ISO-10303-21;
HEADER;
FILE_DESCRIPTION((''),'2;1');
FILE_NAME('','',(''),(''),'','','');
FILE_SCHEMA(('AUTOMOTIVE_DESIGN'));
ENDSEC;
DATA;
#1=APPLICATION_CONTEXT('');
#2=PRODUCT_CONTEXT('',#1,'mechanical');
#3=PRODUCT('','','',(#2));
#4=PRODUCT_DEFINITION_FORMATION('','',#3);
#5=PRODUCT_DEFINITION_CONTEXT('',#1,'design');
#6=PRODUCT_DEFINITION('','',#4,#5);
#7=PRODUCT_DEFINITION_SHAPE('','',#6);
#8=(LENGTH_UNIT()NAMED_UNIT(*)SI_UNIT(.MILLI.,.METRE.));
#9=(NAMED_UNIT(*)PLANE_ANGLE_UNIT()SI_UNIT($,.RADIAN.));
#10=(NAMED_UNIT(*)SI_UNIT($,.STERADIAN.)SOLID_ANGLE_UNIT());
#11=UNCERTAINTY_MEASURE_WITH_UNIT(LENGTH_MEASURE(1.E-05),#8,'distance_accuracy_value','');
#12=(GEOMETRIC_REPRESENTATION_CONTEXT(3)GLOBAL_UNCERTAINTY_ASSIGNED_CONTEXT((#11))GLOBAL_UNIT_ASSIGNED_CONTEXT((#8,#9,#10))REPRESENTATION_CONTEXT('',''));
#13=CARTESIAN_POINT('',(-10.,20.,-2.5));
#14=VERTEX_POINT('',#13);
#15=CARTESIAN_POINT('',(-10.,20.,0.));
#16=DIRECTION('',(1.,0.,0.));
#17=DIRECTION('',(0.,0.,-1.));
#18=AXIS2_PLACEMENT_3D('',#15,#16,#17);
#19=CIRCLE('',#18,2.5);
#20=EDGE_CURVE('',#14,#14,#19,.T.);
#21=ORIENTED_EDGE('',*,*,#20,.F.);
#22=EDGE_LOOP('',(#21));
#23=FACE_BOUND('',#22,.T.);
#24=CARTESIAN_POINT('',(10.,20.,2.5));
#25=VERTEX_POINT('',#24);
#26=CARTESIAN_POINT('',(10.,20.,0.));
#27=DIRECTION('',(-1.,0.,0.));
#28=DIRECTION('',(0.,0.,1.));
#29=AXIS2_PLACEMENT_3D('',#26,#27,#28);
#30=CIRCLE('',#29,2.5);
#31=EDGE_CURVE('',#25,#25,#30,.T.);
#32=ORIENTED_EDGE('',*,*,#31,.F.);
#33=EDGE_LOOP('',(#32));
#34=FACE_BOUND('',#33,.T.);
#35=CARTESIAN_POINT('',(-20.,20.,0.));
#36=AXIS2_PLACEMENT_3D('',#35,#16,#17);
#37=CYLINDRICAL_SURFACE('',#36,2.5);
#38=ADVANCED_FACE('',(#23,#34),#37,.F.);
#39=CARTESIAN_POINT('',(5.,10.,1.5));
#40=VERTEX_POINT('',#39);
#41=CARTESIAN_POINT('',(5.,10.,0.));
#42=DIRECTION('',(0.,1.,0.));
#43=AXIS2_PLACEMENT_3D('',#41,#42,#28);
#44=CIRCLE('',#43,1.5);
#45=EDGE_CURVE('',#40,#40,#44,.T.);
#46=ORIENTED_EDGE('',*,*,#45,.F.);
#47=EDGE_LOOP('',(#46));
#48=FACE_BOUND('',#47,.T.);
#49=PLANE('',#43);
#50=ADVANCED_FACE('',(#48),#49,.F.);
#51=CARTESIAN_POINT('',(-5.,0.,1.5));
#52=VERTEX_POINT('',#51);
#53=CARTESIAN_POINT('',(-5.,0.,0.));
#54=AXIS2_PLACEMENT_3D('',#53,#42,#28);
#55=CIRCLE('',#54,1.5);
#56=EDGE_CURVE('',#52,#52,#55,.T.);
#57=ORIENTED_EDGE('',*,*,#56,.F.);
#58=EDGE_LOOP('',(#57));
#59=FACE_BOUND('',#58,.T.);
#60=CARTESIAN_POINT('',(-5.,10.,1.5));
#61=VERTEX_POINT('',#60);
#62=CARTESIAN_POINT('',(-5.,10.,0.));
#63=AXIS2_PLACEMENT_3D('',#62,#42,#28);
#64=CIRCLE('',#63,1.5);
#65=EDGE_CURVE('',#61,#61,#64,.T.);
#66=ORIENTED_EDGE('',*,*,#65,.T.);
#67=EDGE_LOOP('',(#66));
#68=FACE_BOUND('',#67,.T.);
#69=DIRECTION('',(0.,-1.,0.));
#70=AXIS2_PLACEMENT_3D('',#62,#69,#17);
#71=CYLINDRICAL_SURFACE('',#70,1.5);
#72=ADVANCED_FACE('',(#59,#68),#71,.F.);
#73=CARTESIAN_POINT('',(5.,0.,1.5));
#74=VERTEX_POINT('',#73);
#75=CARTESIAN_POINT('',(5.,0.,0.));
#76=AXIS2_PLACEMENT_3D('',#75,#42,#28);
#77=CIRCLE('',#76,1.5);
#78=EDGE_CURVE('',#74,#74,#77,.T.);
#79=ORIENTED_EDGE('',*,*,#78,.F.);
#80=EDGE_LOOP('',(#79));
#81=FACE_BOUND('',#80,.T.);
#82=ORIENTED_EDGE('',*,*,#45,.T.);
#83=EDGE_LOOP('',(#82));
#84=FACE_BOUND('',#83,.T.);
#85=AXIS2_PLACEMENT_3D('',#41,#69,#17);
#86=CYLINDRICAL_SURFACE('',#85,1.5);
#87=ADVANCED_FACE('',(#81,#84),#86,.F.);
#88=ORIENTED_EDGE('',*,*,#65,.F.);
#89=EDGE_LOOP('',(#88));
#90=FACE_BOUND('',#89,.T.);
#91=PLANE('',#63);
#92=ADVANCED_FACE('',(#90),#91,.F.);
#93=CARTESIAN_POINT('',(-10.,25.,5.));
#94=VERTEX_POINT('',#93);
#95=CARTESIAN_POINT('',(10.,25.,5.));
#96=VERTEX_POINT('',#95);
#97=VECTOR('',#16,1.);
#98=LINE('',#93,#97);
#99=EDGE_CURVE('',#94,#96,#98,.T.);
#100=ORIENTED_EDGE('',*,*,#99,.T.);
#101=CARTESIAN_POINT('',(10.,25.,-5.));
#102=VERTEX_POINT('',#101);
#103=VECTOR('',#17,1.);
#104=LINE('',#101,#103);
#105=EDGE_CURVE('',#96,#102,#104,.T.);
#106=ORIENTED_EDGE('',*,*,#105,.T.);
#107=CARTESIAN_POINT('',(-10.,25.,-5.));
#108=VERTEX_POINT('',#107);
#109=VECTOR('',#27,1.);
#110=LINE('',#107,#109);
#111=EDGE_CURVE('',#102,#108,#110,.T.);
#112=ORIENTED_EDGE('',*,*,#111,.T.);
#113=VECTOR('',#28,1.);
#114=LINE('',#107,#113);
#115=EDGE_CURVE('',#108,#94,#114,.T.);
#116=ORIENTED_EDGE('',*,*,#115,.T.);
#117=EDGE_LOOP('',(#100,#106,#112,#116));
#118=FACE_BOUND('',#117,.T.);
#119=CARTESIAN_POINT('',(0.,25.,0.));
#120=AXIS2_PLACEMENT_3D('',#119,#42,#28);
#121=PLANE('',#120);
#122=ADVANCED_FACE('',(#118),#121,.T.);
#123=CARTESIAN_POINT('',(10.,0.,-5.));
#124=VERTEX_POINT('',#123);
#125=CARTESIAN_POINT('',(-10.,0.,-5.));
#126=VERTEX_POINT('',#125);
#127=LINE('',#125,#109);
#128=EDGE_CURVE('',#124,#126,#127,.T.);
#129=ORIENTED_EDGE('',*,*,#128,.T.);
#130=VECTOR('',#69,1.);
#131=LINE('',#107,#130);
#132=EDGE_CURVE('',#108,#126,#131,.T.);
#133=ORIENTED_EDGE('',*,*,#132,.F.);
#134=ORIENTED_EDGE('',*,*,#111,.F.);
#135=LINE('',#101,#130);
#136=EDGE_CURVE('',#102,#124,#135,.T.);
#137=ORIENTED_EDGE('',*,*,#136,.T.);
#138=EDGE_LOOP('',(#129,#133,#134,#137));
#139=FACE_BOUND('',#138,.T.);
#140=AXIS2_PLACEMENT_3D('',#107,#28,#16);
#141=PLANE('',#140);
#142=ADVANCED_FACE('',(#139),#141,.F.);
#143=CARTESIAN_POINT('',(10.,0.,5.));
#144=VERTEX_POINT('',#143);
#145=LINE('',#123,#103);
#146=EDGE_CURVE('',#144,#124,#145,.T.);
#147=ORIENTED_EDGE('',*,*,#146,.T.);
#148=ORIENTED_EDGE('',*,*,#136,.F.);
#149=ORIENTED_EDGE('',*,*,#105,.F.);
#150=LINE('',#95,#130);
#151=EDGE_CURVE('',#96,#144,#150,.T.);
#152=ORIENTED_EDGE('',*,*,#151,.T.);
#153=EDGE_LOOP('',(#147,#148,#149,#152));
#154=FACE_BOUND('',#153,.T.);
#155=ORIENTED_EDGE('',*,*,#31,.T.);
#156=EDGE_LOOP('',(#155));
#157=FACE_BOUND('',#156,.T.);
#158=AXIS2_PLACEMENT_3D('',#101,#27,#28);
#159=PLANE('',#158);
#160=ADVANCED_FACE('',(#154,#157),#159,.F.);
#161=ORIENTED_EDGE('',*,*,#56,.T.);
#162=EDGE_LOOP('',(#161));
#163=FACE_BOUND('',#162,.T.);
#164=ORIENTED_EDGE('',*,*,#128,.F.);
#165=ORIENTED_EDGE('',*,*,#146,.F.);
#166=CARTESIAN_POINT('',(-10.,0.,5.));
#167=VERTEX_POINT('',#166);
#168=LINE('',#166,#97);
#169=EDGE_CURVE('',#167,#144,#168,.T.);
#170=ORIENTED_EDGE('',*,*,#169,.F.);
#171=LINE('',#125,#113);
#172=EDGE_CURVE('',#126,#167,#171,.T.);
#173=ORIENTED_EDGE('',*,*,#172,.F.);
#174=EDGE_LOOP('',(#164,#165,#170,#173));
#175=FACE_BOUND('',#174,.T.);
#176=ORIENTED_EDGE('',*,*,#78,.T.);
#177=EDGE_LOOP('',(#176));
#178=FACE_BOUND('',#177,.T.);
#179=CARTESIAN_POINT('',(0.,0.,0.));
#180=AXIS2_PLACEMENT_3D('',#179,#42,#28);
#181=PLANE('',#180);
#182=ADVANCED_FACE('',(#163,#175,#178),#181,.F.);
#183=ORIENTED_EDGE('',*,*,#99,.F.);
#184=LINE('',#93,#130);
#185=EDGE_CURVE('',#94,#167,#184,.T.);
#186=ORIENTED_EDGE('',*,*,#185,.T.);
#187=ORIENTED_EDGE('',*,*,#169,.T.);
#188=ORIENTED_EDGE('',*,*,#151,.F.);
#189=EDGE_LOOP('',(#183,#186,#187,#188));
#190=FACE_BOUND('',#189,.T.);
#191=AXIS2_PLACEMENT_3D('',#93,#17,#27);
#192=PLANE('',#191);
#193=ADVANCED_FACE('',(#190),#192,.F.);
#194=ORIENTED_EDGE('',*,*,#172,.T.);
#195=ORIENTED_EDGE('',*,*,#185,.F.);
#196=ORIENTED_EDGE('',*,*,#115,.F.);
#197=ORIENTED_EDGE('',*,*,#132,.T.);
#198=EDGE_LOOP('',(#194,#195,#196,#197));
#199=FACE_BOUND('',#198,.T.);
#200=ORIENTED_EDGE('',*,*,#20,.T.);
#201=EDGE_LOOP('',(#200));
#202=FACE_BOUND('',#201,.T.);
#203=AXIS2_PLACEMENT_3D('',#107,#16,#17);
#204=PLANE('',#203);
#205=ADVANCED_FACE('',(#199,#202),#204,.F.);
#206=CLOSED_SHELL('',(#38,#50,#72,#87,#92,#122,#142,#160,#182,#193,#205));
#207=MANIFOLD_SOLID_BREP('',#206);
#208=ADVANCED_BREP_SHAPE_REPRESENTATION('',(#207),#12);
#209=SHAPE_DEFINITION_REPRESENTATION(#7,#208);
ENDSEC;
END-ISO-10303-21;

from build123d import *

# Parameters (mm, degrees)
SKETCH1_W           = 20
SKETCH1_H           = 10
BOSS_EXTRUDE1_DEPTH = 25
SKETCH2_R           = 1.5
CUT_EXTRUDE1_DEPTH  = 10
SKETCH3_R           = 2.5
CUT_EXTRUDE2_DEPTH  = 20


with BuildPart() as part:
    # Sketch1 → Boss-Extrude1 (new body)
    with BuildSketch(Plane(origin=(0, 0, 0), x_dir=(1, 0, 0), z_dir=(0, 1, 0))):
        Rectangle(SKETCH1_W, SKETCH1_H)
    extrude(amount=BOSS_EXTRUDE1_DEPTH)

    # Sketch2 → Cut-Extrude1 (cut)
    with BuildSketch(Plane(origin=(0, 0, 0), x_dir=(1, 0, 0), z_dir=(0, 1, 0))):
        with Locations(Location((-5, 0, 0), (0, 0, 270))):
            Circle(SKETCH2_R)
        with Locations(Location((5, 0, 0), (0, 0, 270))):
            Circle(SKETCH2_R)
    extrude(amount=CUT_EXTRUDE1_DEPTH, mode=Mode.SUBTRACT)

    # Sketch3 → Cut-Extrude2 (cut, symmetric)
    with BuildSketch(Plane(origin=(0, 0, 0), x_dir=(0, 0, -1), z_dir=(1, 0, 0))):
        with Locations((0, 20)):
            Circle(SKETCH3_R)
    extrude(amount=CUT_EXTRUDE2_DEPTH, both=True, mode=Mode.SUBTRACT)


solid = part.part
